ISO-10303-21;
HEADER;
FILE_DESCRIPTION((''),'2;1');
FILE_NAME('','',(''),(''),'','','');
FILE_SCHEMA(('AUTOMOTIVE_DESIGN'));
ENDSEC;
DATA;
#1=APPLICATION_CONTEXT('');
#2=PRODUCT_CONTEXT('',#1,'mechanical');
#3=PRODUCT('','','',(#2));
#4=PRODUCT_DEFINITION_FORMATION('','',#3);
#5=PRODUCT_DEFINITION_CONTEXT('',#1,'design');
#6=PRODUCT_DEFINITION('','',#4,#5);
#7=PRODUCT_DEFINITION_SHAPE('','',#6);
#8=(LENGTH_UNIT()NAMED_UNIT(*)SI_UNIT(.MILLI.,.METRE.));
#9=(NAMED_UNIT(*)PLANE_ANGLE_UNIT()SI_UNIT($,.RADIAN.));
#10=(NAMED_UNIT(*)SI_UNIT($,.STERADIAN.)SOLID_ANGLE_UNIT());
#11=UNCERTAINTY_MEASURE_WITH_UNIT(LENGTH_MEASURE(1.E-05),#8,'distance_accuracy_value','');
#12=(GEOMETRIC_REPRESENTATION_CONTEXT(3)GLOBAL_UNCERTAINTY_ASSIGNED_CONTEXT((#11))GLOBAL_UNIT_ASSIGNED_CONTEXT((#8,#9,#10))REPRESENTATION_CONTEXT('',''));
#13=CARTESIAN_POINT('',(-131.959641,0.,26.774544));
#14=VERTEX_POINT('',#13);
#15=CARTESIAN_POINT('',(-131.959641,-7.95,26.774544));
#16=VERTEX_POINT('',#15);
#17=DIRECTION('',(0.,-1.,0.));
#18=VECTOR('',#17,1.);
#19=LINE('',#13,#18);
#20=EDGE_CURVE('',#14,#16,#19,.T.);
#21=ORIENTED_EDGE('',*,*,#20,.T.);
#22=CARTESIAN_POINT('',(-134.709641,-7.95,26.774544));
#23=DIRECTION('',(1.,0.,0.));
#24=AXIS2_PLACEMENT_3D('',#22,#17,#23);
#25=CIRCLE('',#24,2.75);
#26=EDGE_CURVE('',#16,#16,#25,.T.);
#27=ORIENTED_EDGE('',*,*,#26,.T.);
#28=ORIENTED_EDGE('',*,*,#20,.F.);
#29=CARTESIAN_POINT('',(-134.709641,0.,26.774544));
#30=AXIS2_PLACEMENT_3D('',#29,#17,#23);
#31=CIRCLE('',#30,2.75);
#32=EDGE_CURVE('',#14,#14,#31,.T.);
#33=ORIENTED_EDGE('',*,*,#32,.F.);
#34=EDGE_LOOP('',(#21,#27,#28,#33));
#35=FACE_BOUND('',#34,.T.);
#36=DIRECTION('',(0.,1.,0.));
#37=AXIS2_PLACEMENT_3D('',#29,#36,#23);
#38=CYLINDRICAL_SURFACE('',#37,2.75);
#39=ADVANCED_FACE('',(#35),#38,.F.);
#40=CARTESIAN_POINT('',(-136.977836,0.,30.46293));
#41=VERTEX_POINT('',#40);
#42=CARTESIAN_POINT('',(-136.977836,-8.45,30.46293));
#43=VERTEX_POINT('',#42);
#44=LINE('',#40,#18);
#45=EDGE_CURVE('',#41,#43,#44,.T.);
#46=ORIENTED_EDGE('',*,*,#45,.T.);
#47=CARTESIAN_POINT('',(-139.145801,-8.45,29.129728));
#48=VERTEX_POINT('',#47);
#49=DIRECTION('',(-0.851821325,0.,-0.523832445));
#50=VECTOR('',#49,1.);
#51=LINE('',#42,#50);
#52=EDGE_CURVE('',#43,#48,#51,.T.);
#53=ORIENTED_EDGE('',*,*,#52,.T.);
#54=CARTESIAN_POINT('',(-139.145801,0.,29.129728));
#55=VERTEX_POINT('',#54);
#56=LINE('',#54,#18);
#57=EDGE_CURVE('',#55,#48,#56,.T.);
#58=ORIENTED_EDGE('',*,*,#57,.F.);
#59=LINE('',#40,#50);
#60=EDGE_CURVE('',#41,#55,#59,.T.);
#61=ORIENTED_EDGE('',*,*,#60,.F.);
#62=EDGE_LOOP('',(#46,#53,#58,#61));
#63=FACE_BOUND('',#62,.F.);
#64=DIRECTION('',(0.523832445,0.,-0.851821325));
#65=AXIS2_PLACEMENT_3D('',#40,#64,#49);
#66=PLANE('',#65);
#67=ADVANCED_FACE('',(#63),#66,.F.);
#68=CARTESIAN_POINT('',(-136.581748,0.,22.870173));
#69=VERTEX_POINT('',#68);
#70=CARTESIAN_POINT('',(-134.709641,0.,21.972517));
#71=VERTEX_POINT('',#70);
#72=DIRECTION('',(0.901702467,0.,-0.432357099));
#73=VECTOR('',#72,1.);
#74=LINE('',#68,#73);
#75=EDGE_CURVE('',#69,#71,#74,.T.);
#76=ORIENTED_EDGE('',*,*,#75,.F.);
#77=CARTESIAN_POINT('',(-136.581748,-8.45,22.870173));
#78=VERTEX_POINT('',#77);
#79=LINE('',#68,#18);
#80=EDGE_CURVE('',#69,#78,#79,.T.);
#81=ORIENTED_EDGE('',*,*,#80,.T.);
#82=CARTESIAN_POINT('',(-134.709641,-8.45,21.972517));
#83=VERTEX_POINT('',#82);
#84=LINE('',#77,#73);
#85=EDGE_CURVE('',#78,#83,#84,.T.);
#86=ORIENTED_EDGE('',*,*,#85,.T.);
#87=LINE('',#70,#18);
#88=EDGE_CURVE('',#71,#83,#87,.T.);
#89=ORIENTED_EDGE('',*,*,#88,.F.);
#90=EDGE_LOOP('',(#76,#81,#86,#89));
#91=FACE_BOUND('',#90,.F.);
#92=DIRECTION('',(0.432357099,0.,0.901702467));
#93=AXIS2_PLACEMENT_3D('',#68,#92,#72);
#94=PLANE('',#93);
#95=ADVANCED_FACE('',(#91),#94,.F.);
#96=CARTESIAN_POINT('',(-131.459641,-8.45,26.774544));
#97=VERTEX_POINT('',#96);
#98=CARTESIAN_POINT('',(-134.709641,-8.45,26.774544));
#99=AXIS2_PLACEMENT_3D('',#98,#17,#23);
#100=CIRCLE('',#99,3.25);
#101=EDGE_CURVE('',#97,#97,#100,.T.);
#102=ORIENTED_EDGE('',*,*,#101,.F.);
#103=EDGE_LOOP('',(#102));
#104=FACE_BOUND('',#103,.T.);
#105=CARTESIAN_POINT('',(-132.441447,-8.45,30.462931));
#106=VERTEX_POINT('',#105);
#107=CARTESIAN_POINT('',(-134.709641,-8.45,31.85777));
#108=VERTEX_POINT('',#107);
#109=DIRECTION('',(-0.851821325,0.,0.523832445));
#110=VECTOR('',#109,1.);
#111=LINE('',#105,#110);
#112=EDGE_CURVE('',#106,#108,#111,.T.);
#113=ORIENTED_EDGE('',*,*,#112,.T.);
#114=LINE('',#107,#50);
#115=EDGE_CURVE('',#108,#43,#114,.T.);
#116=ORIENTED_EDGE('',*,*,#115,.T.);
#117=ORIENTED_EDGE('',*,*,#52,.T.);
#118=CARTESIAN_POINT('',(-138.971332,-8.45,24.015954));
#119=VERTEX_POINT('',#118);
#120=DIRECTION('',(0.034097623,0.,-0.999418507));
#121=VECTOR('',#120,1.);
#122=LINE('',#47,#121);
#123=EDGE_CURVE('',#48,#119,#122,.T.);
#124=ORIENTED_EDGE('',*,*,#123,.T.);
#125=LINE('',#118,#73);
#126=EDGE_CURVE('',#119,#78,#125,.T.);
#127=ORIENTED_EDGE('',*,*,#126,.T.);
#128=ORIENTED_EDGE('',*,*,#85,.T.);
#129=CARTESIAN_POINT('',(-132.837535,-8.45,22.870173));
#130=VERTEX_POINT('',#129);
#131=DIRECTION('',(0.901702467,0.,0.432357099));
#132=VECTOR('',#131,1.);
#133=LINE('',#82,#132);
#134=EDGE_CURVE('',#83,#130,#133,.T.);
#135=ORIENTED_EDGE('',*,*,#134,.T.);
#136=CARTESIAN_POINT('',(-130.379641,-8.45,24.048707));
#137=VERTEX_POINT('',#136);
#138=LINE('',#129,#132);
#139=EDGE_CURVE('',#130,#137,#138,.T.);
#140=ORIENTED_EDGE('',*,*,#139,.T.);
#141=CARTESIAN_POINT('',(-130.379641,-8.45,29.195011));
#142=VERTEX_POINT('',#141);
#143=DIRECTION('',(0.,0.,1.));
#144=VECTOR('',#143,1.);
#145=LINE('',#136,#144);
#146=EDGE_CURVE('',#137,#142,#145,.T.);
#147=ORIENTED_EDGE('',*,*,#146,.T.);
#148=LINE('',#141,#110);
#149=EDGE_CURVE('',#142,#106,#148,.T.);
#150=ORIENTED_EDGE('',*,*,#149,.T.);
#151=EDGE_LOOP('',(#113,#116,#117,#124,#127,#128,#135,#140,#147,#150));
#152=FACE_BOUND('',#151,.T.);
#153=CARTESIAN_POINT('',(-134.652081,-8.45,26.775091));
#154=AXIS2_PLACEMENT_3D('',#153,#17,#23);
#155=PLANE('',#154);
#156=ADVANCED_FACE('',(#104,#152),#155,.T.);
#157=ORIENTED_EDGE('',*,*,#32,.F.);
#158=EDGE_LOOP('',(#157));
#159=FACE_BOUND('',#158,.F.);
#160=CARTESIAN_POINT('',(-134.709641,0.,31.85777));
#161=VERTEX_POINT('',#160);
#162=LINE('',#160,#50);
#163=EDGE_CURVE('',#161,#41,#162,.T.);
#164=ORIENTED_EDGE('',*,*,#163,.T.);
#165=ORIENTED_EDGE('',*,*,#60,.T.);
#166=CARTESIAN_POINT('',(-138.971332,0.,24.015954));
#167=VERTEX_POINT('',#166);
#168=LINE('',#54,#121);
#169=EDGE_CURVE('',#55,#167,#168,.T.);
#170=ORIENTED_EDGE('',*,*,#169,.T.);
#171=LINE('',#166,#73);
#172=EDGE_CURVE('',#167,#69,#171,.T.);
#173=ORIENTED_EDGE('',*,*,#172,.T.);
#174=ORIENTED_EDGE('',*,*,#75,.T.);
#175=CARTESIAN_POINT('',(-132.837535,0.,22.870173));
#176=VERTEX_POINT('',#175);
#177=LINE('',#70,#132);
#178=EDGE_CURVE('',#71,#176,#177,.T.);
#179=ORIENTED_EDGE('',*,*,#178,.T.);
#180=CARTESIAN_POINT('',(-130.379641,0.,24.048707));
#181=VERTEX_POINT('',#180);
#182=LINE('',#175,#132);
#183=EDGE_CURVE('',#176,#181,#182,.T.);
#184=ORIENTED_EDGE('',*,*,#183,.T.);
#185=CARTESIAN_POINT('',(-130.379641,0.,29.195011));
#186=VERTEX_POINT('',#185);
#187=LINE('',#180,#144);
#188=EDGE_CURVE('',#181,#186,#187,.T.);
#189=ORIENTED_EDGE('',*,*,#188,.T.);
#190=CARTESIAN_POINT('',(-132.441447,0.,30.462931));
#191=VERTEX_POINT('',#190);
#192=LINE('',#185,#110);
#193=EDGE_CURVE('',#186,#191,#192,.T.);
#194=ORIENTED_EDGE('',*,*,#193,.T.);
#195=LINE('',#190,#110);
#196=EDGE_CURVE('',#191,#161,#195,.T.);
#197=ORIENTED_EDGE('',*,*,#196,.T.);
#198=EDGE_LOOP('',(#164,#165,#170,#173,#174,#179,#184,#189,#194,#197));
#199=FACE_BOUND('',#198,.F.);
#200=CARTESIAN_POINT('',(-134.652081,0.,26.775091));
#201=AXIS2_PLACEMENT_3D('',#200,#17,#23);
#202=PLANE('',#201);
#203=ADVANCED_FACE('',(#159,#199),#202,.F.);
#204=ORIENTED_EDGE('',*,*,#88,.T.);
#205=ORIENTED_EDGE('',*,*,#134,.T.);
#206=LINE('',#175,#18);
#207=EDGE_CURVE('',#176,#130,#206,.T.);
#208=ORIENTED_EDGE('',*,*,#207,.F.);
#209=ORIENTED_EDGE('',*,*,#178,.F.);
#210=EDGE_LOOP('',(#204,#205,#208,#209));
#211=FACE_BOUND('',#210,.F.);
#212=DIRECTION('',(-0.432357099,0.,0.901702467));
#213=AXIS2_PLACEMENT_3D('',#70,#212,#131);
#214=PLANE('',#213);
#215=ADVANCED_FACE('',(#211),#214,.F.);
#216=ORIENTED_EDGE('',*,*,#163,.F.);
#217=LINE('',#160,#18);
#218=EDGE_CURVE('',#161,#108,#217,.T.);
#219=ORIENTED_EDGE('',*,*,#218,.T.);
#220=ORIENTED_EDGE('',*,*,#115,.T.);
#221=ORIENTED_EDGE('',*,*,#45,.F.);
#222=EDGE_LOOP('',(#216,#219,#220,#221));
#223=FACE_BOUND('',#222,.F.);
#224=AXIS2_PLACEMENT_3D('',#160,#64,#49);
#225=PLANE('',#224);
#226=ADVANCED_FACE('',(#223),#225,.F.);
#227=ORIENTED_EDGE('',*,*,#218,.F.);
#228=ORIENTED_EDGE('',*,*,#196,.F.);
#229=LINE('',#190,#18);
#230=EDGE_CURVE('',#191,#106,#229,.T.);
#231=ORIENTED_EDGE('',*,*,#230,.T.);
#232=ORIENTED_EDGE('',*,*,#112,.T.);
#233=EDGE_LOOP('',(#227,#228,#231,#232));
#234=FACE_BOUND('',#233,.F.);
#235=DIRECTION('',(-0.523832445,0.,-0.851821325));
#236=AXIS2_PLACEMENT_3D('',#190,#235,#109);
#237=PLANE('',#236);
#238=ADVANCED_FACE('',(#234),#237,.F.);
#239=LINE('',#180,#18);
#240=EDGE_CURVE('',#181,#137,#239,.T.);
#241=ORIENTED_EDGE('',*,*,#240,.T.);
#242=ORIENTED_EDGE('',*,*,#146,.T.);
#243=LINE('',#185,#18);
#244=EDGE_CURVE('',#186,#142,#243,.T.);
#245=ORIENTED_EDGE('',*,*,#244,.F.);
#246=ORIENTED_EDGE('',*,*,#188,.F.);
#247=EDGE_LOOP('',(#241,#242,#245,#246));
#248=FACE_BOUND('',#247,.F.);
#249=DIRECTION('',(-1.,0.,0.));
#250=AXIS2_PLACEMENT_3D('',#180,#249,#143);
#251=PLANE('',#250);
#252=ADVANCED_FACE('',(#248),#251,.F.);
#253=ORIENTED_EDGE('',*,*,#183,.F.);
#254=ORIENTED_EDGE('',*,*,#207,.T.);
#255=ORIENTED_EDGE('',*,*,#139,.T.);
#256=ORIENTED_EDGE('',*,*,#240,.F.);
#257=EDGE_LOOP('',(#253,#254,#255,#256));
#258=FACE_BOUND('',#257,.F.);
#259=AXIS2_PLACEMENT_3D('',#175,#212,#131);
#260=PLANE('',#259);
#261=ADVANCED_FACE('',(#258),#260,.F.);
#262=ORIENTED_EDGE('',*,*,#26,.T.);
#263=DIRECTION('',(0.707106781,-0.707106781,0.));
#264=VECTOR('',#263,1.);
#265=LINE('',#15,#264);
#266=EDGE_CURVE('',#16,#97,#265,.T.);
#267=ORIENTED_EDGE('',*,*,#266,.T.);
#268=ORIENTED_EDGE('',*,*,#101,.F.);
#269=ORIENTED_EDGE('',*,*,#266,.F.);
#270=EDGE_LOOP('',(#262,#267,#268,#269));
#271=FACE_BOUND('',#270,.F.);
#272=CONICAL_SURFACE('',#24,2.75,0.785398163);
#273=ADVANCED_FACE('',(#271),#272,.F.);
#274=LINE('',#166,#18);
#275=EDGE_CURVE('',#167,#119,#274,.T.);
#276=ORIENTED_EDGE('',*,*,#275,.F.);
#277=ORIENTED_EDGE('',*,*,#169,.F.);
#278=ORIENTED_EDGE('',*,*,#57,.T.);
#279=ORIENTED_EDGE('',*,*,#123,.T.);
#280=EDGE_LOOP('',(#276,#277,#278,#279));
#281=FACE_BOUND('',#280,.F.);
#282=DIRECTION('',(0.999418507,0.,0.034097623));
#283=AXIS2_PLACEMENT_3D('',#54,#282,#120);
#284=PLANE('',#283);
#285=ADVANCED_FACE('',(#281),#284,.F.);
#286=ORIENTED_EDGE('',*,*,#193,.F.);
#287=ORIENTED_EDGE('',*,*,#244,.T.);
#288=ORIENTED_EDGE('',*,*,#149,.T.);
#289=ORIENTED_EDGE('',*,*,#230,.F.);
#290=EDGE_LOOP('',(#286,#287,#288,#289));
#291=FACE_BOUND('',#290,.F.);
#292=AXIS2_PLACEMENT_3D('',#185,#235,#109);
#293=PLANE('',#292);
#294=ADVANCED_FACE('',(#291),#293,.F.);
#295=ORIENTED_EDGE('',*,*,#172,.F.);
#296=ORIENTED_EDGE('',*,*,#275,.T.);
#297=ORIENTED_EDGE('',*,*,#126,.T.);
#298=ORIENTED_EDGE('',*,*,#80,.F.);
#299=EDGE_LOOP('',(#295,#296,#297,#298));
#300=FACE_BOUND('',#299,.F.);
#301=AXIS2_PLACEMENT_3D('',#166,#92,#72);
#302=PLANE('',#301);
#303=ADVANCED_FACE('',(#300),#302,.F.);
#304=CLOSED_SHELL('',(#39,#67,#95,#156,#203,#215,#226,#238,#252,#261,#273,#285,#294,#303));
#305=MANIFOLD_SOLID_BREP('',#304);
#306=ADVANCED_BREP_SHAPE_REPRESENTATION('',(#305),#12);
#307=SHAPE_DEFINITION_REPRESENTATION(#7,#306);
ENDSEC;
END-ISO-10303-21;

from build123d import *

# Parameters (mm, degrees)
F0_R     = 2.75
F1_DEPTH = 8.45
F2_SIZE  = 0.5


with BuildPart() as f1:
    # F0 (on Front) → F1 (new body)
    with BuildSketch(Plane.XZ):
        with BuildLine():
            ThreePointArc((-132.8375352313, 22.8701725471), (-131.0452779523, 24.467741248), (-130.3796414733, 26.7745442275))
            ThreePointArc((-130.3796414733, 26.7745442275), (-130.9300791601, 28.887316984), (-132.441446887, 30.4629305032))
            ThreePointArc((-132.441446887, 30.4629305032), (-134.7096414781, 31.1045442275), (-136.9778360677, 30.4629304982))
            ThreePointArc((-136.9778360677, 30.4629304982), (-139.0337617379, 26.5489695453), (-136.5817476464, 22.8701725141))
            ThreePointArc((-136.5817476464, 22.8701725141), (-134.7096414351, 22.4445442275), (-132.8375352313, 22.8701725471))
        make_face()
        with Locations((-134.7096414733, 26.7745442275)):
            Circle(F0_R, mode=Mode.SUBTRACT)
        with BuildLine():
            Line((-130.3796414733, 24.0487074352), (-130.3796414733, 26.7745442275))
            ThreePointArc((-130.3796414733, 26.7745442275), (-131.0452779523, 24.467741248), (-132.8375352313, 22.8701725471))
            Line((-132.8375352313, 22.8701725471), (-130.3796414733, 24.0487074352))
        make_face()
        with BuildLine():
            ThreePointArc((-132.441446887, 30.4629305032), (-130.9300791601, 28.887316984), (-130.3796414733, 26.7745442275))
            Line((-130.3796414733, 26.7745442275), (-130.3796414733, 29.1950113514))
            Line((-130.3796414733, 29.1950113514), (-132.441446887, 30.4629305032))
        make_face()
        with BuildLine():
            ThreePointArc((-136.9778360677, 30.4629304982), (-134.7096414781, 31.1045442275), (-132.441446887, 30.4629305032))
            Line((-132.441446887, 30.4629305032), (-134.7096414733, 31.8577698691))
            Line((-134.7096414733, 31.8577698691), (-136.9778360677, 30.4629304982))
        make_face()
        with BuildLine():
            Line((-134.7096414733, 21.9725167744), (-132.8375352313, 22.8701725471))
            ThreePointArc((-132.8375352313, 22.8701725471), (-134.7096414351, 22.4445442275), (-136.5817476464, 22.8701725141))
            Line((-136.5817476464, 22.8701725141), (-134.7096414733, 21.9725167744))
        make_face()
        with BuildLine():
            ThreePointArc((-136.5817476464, 22.8701725141), (-139.0337617379, 26.5489695453), (-136.9778360677, 30.4629304982))
            Line((-136.9778360677, 30.4629304982), (-139.1458009268, 29.1297279821))
            Line((-139.1458009268, 29.1297279821), (-138.971331925, 24.0159537063))
            Line((-138.971331925, 24.0159537063), (-136.5817476464, 22.8701725141))
        make_face()
    extrude(amount=F1_DEPTH)

    # F2
    f2_edges = [f1.edges().sort_by_distance(p)[0] for p in [
        (-137.459641, -8.45, 26.774544),
    ]]
    chamfer(f2_edges, length=F2_SIZE)


solid = f1.part
